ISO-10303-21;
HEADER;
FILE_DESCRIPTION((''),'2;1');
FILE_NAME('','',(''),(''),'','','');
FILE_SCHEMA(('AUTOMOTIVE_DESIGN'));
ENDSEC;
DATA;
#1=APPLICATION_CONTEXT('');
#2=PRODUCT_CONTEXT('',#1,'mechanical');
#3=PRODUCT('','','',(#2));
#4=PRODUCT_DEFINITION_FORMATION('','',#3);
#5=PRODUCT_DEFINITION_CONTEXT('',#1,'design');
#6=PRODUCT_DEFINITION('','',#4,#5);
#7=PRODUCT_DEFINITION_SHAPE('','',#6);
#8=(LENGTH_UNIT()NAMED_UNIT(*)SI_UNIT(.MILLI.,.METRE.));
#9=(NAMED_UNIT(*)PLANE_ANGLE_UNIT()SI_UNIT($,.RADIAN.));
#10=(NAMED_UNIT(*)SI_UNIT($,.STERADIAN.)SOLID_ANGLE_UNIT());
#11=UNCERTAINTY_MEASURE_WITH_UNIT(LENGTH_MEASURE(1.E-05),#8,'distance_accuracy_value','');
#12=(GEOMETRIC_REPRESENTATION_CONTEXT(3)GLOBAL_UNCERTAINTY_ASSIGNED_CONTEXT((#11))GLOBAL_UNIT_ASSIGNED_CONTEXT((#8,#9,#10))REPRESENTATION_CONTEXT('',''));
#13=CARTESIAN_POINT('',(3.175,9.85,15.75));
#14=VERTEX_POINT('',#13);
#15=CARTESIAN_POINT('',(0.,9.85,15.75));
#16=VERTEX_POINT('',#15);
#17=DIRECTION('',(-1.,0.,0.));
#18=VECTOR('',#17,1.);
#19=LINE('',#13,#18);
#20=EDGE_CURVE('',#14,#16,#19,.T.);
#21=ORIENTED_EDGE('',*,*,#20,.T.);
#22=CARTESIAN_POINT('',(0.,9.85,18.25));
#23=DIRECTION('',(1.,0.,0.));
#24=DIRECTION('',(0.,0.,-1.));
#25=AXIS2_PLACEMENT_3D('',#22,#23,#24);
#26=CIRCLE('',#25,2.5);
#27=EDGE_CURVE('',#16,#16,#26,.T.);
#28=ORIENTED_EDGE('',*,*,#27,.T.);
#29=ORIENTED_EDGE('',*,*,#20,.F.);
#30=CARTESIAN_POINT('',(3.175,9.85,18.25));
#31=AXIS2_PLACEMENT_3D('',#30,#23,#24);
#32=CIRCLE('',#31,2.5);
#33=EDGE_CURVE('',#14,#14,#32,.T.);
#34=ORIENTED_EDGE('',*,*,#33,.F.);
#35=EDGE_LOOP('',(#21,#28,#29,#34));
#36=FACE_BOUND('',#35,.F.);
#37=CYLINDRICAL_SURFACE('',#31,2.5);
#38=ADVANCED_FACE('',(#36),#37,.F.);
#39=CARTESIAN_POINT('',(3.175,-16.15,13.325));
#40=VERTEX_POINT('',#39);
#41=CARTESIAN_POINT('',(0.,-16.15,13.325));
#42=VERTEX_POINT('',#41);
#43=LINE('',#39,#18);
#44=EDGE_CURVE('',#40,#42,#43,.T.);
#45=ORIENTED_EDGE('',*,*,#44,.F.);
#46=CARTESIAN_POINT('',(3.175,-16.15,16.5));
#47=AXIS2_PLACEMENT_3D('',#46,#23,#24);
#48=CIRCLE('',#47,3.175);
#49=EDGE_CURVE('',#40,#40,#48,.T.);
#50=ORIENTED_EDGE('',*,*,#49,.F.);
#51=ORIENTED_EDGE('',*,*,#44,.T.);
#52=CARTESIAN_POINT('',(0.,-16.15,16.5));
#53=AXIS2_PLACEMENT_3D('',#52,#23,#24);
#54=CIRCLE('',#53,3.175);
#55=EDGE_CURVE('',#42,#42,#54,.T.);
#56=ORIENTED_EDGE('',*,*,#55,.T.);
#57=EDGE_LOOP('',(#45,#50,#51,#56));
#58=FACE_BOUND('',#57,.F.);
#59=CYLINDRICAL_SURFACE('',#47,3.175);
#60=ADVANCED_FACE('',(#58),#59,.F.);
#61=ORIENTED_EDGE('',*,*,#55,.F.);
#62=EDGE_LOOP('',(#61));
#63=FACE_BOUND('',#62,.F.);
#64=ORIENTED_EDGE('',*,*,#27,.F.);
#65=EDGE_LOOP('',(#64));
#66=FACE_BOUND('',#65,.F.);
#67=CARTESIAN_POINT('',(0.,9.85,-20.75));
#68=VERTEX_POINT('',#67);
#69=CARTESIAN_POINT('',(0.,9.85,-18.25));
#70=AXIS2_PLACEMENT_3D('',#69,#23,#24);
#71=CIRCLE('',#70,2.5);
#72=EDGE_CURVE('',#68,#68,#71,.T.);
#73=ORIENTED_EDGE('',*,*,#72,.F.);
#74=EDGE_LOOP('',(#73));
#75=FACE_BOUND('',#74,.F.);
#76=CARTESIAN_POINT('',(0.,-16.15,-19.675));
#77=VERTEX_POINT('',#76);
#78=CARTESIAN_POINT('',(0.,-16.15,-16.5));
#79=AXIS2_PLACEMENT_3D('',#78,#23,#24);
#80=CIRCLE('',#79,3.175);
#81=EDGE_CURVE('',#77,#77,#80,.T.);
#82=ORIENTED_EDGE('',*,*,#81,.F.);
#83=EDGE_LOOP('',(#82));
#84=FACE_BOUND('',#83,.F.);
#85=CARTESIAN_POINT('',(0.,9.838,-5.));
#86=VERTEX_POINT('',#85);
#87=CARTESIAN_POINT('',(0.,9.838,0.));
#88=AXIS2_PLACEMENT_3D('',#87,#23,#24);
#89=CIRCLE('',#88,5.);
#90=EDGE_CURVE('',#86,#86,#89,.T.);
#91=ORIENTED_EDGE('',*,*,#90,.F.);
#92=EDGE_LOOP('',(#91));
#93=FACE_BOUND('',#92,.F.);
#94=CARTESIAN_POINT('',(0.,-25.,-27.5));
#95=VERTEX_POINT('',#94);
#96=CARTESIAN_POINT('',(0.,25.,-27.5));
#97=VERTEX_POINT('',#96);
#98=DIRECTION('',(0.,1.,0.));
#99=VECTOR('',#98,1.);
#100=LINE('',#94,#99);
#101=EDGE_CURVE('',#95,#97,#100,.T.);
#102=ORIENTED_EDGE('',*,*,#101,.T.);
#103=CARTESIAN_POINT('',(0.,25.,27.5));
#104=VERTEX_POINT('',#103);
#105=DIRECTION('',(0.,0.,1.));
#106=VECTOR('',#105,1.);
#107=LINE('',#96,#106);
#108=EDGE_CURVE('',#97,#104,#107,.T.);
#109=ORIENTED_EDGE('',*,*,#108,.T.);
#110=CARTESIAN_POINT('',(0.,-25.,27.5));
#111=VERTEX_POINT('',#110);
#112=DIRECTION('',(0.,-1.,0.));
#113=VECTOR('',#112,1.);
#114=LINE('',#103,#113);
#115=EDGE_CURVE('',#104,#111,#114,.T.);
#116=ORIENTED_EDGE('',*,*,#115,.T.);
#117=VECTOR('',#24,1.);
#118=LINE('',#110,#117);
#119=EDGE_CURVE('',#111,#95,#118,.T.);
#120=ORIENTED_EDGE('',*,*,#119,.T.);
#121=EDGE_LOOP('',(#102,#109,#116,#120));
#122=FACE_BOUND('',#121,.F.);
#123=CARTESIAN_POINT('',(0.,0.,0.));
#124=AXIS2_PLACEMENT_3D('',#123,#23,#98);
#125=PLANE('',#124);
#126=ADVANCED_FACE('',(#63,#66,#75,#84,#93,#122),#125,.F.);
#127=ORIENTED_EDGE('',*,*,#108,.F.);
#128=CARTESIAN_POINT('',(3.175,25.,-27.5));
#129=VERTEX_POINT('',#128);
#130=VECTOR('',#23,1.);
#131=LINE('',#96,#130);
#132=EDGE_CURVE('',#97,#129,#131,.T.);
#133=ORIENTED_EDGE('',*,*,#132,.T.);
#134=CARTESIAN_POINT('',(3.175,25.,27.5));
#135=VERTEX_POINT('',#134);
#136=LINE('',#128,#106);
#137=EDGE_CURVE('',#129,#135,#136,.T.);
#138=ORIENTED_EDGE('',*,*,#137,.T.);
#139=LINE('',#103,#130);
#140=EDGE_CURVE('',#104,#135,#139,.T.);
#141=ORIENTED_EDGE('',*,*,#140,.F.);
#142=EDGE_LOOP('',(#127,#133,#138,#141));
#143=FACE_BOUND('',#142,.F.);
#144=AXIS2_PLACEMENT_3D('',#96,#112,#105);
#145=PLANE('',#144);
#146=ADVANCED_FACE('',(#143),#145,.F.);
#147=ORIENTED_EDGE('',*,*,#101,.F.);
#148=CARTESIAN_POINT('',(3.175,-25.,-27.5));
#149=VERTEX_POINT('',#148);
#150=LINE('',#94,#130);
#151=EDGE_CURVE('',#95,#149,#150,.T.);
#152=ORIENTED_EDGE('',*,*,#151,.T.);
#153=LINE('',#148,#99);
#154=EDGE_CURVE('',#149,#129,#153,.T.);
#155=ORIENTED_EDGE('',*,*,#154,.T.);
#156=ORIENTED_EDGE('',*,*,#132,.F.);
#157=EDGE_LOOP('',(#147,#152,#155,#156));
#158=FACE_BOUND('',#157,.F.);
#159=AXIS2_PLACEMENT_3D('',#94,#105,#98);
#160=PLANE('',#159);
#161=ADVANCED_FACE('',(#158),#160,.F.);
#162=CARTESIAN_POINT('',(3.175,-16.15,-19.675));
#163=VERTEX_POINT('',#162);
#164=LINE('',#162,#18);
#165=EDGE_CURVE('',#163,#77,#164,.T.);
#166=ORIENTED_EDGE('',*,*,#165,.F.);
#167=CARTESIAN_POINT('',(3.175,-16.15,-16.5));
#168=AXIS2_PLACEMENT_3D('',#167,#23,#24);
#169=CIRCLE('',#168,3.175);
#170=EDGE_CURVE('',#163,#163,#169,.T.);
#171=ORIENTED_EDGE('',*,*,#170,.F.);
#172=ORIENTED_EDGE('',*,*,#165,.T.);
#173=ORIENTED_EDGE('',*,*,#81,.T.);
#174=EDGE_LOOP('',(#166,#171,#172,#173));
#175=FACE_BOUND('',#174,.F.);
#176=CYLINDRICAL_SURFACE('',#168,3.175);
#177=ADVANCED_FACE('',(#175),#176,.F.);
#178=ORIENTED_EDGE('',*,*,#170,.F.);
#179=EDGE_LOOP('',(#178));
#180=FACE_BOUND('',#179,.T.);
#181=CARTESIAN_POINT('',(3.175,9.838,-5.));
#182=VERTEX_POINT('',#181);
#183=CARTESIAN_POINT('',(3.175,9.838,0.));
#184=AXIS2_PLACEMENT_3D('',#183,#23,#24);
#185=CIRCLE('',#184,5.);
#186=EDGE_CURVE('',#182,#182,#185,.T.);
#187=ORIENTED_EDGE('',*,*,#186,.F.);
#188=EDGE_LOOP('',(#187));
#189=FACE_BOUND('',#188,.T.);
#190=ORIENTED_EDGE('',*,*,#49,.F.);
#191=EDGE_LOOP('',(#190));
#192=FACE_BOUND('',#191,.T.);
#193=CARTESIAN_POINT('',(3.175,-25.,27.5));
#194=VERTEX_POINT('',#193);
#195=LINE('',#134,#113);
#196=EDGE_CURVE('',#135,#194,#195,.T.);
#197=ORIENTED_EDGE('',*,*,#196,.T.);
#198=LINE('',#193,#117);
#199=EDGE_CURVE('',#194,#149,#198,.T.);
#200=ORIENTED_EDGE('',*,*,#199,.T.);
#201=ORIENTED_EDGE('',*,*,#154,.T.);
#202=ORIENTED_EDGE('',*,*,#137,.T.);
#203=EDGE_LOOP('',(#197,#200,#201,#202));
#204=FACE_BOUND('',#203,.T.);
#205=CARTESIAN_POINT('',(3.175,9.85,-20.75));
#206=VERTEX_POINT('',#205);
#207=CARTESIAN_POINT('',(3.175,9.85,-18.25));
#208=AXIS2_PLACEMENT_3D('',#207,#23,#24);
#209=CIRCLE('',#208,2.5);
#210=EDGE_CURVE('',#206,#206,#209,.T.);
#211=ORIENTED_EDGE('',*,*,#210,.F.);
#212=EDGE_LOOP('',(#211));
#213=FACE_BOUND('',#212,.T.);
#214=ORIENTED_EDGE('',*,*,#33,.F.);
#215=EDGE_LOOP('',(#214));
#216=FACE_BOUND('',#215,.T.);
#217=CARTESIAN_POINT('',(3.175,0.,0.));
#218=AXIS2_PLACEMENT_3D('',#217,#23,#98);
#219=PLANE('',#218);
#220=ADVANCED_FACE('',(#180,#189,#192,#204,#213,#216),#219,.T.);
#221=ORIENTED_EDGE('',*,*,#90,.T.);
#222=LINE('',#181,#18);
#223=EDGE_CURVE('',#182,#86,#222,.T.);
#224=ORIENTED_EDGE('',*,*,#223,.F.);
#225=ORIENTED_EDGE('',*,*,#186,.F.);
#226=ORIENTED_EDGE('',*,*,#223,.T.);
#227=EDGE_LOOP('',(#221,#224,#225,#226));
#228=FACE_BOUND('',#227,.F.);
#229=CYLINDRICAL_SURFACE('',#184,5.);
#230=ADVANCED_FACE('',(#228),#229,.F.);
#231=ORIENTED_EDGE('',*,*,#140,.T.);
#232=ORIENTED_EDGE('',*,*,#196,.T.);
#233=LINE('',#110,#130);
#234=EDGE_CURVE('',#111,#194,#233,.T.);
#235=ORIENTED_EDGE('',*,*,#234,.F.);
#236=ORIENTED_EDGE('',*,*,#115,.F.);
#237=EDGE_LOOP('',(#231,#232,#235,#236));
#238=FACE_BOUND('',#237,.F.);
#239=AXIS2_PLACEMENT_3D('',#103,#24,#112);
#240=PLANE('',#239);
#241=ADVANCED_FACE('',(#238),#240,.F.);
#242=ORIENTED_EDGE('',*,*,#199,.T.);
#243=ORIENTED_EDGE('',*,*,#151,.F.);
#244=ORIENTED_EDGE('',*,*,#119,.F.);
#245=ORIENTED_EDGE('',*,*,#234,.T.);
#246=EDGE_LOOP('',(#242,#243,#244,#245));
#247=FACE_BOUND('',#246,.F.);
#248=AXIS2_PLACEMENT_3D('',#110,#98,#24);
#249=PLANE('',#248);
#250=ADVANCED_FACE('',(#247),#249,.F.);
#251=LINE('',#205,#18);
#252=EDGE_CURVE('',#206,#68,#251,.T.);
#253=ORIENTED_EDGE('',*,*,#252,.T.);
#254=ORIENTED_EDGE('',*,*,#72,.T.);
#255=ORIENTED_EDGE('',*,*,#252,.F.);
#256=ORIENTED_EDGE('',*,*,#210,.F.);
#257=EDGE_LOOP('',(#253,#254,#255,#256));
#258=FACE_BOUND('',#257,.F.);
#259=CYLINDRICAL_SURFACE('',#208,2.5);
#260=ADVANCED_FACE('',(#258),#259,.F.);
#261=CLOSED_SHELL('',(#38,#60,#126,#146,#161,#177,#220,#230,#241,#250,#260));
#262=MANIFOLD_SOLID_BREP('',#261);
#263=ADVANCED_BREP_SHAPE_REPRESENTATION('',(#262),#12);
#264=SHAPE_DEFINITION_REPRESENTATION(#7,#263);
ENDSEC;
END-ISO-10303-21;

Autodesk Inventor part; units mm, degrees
ref_plane "YZ Plane" through (0, 0, 0) normal (1, 0, 0) x (0, 1, 0)
ref_plane "XZ Plane" through (0, 0, 0) normal (0, 1, 0) x (-1, 0, 0)
ref_plane "XY Plane" through (0, 0, 0) normal (0, 0, 1) x (1, 0, 0)
sketch "Sketch1" plane through (0, 0, 0) normal (1, 0, 0) x (0, 1, 0)
  line L0 (25, 27.5) -> (-25, 27.5)
  line L1 (-25, 27.5) -> (-25, -27.5)
  line L2 (-25, -27.5) -> (25, -27.5)
  line L3 (25, -27.5) -> (25, 27.5)
  point P0 (0, 0)
  dimension "d0" = 55
  dimension "d1" = 50
  dimension "d2" = 27.5
  dimension "d3" = 25
extrude "Extrusion1" add sketch "Sketch1" along normal blind 3.175
sketch "Sketch2" plane through (3.175, 0, 0) normal (1, 0, 0) x (0, 0, -1)
  circle A0 centre (-18.25, 9.85) radius 2.5
  circle A1 centre (18.25, 9.85) radius 2.5
  circle A2 centre (-16.5, -16.15) radius 3.175
  circle A3 centre (16.5, -16.15) radius 3.175
  line L0 (27.5, -25) -> (27.5, 25) projected
  line L1 (-27.5, 25) -> (-27.5, -25) projected
  line L2 (-27.5, -25) -> (27.5, -25) projected
  point P0 (0, 0)
  dimension "d6" = 6.35
  dimension "d8" = 11
  dimension "d9" = 11
  dimension "d10" = 6.35
  dimension "d11" = 5
  dimension "d12" = 5
  dimension "d13" = 36.5
  dimension "d14" = 9.25
  dimension "d16" = 8.85
  dimension "d17" = 8.85
  dimension "d22" = 34.85
  dimension "d23" = 34.85
  dimension "d24" = 9.25
extrude "Extrusion2" cut sketch "Sketch2" against normal through all
sketch "Sketch3" plane through (3.175, 0, 0) normal (1, 0, 0) x (0, 0, -1)
  circle A0 centre (0, 9.838) radius 5
  line L0 (27.5, -25) -> (27.5, 25) projected
  line L1 (27.5, 25) -> (-27.5, 25) projected
  point P0 (0, 0)
  dimension "d25" = 10
  dimension "d26" = 27.5
  dimension "d27" = 15.162
extrude "Extrusion3" cut sketch "Sketch3" against normal through all
properties part number "BEARING BRACKET MOUNT"
